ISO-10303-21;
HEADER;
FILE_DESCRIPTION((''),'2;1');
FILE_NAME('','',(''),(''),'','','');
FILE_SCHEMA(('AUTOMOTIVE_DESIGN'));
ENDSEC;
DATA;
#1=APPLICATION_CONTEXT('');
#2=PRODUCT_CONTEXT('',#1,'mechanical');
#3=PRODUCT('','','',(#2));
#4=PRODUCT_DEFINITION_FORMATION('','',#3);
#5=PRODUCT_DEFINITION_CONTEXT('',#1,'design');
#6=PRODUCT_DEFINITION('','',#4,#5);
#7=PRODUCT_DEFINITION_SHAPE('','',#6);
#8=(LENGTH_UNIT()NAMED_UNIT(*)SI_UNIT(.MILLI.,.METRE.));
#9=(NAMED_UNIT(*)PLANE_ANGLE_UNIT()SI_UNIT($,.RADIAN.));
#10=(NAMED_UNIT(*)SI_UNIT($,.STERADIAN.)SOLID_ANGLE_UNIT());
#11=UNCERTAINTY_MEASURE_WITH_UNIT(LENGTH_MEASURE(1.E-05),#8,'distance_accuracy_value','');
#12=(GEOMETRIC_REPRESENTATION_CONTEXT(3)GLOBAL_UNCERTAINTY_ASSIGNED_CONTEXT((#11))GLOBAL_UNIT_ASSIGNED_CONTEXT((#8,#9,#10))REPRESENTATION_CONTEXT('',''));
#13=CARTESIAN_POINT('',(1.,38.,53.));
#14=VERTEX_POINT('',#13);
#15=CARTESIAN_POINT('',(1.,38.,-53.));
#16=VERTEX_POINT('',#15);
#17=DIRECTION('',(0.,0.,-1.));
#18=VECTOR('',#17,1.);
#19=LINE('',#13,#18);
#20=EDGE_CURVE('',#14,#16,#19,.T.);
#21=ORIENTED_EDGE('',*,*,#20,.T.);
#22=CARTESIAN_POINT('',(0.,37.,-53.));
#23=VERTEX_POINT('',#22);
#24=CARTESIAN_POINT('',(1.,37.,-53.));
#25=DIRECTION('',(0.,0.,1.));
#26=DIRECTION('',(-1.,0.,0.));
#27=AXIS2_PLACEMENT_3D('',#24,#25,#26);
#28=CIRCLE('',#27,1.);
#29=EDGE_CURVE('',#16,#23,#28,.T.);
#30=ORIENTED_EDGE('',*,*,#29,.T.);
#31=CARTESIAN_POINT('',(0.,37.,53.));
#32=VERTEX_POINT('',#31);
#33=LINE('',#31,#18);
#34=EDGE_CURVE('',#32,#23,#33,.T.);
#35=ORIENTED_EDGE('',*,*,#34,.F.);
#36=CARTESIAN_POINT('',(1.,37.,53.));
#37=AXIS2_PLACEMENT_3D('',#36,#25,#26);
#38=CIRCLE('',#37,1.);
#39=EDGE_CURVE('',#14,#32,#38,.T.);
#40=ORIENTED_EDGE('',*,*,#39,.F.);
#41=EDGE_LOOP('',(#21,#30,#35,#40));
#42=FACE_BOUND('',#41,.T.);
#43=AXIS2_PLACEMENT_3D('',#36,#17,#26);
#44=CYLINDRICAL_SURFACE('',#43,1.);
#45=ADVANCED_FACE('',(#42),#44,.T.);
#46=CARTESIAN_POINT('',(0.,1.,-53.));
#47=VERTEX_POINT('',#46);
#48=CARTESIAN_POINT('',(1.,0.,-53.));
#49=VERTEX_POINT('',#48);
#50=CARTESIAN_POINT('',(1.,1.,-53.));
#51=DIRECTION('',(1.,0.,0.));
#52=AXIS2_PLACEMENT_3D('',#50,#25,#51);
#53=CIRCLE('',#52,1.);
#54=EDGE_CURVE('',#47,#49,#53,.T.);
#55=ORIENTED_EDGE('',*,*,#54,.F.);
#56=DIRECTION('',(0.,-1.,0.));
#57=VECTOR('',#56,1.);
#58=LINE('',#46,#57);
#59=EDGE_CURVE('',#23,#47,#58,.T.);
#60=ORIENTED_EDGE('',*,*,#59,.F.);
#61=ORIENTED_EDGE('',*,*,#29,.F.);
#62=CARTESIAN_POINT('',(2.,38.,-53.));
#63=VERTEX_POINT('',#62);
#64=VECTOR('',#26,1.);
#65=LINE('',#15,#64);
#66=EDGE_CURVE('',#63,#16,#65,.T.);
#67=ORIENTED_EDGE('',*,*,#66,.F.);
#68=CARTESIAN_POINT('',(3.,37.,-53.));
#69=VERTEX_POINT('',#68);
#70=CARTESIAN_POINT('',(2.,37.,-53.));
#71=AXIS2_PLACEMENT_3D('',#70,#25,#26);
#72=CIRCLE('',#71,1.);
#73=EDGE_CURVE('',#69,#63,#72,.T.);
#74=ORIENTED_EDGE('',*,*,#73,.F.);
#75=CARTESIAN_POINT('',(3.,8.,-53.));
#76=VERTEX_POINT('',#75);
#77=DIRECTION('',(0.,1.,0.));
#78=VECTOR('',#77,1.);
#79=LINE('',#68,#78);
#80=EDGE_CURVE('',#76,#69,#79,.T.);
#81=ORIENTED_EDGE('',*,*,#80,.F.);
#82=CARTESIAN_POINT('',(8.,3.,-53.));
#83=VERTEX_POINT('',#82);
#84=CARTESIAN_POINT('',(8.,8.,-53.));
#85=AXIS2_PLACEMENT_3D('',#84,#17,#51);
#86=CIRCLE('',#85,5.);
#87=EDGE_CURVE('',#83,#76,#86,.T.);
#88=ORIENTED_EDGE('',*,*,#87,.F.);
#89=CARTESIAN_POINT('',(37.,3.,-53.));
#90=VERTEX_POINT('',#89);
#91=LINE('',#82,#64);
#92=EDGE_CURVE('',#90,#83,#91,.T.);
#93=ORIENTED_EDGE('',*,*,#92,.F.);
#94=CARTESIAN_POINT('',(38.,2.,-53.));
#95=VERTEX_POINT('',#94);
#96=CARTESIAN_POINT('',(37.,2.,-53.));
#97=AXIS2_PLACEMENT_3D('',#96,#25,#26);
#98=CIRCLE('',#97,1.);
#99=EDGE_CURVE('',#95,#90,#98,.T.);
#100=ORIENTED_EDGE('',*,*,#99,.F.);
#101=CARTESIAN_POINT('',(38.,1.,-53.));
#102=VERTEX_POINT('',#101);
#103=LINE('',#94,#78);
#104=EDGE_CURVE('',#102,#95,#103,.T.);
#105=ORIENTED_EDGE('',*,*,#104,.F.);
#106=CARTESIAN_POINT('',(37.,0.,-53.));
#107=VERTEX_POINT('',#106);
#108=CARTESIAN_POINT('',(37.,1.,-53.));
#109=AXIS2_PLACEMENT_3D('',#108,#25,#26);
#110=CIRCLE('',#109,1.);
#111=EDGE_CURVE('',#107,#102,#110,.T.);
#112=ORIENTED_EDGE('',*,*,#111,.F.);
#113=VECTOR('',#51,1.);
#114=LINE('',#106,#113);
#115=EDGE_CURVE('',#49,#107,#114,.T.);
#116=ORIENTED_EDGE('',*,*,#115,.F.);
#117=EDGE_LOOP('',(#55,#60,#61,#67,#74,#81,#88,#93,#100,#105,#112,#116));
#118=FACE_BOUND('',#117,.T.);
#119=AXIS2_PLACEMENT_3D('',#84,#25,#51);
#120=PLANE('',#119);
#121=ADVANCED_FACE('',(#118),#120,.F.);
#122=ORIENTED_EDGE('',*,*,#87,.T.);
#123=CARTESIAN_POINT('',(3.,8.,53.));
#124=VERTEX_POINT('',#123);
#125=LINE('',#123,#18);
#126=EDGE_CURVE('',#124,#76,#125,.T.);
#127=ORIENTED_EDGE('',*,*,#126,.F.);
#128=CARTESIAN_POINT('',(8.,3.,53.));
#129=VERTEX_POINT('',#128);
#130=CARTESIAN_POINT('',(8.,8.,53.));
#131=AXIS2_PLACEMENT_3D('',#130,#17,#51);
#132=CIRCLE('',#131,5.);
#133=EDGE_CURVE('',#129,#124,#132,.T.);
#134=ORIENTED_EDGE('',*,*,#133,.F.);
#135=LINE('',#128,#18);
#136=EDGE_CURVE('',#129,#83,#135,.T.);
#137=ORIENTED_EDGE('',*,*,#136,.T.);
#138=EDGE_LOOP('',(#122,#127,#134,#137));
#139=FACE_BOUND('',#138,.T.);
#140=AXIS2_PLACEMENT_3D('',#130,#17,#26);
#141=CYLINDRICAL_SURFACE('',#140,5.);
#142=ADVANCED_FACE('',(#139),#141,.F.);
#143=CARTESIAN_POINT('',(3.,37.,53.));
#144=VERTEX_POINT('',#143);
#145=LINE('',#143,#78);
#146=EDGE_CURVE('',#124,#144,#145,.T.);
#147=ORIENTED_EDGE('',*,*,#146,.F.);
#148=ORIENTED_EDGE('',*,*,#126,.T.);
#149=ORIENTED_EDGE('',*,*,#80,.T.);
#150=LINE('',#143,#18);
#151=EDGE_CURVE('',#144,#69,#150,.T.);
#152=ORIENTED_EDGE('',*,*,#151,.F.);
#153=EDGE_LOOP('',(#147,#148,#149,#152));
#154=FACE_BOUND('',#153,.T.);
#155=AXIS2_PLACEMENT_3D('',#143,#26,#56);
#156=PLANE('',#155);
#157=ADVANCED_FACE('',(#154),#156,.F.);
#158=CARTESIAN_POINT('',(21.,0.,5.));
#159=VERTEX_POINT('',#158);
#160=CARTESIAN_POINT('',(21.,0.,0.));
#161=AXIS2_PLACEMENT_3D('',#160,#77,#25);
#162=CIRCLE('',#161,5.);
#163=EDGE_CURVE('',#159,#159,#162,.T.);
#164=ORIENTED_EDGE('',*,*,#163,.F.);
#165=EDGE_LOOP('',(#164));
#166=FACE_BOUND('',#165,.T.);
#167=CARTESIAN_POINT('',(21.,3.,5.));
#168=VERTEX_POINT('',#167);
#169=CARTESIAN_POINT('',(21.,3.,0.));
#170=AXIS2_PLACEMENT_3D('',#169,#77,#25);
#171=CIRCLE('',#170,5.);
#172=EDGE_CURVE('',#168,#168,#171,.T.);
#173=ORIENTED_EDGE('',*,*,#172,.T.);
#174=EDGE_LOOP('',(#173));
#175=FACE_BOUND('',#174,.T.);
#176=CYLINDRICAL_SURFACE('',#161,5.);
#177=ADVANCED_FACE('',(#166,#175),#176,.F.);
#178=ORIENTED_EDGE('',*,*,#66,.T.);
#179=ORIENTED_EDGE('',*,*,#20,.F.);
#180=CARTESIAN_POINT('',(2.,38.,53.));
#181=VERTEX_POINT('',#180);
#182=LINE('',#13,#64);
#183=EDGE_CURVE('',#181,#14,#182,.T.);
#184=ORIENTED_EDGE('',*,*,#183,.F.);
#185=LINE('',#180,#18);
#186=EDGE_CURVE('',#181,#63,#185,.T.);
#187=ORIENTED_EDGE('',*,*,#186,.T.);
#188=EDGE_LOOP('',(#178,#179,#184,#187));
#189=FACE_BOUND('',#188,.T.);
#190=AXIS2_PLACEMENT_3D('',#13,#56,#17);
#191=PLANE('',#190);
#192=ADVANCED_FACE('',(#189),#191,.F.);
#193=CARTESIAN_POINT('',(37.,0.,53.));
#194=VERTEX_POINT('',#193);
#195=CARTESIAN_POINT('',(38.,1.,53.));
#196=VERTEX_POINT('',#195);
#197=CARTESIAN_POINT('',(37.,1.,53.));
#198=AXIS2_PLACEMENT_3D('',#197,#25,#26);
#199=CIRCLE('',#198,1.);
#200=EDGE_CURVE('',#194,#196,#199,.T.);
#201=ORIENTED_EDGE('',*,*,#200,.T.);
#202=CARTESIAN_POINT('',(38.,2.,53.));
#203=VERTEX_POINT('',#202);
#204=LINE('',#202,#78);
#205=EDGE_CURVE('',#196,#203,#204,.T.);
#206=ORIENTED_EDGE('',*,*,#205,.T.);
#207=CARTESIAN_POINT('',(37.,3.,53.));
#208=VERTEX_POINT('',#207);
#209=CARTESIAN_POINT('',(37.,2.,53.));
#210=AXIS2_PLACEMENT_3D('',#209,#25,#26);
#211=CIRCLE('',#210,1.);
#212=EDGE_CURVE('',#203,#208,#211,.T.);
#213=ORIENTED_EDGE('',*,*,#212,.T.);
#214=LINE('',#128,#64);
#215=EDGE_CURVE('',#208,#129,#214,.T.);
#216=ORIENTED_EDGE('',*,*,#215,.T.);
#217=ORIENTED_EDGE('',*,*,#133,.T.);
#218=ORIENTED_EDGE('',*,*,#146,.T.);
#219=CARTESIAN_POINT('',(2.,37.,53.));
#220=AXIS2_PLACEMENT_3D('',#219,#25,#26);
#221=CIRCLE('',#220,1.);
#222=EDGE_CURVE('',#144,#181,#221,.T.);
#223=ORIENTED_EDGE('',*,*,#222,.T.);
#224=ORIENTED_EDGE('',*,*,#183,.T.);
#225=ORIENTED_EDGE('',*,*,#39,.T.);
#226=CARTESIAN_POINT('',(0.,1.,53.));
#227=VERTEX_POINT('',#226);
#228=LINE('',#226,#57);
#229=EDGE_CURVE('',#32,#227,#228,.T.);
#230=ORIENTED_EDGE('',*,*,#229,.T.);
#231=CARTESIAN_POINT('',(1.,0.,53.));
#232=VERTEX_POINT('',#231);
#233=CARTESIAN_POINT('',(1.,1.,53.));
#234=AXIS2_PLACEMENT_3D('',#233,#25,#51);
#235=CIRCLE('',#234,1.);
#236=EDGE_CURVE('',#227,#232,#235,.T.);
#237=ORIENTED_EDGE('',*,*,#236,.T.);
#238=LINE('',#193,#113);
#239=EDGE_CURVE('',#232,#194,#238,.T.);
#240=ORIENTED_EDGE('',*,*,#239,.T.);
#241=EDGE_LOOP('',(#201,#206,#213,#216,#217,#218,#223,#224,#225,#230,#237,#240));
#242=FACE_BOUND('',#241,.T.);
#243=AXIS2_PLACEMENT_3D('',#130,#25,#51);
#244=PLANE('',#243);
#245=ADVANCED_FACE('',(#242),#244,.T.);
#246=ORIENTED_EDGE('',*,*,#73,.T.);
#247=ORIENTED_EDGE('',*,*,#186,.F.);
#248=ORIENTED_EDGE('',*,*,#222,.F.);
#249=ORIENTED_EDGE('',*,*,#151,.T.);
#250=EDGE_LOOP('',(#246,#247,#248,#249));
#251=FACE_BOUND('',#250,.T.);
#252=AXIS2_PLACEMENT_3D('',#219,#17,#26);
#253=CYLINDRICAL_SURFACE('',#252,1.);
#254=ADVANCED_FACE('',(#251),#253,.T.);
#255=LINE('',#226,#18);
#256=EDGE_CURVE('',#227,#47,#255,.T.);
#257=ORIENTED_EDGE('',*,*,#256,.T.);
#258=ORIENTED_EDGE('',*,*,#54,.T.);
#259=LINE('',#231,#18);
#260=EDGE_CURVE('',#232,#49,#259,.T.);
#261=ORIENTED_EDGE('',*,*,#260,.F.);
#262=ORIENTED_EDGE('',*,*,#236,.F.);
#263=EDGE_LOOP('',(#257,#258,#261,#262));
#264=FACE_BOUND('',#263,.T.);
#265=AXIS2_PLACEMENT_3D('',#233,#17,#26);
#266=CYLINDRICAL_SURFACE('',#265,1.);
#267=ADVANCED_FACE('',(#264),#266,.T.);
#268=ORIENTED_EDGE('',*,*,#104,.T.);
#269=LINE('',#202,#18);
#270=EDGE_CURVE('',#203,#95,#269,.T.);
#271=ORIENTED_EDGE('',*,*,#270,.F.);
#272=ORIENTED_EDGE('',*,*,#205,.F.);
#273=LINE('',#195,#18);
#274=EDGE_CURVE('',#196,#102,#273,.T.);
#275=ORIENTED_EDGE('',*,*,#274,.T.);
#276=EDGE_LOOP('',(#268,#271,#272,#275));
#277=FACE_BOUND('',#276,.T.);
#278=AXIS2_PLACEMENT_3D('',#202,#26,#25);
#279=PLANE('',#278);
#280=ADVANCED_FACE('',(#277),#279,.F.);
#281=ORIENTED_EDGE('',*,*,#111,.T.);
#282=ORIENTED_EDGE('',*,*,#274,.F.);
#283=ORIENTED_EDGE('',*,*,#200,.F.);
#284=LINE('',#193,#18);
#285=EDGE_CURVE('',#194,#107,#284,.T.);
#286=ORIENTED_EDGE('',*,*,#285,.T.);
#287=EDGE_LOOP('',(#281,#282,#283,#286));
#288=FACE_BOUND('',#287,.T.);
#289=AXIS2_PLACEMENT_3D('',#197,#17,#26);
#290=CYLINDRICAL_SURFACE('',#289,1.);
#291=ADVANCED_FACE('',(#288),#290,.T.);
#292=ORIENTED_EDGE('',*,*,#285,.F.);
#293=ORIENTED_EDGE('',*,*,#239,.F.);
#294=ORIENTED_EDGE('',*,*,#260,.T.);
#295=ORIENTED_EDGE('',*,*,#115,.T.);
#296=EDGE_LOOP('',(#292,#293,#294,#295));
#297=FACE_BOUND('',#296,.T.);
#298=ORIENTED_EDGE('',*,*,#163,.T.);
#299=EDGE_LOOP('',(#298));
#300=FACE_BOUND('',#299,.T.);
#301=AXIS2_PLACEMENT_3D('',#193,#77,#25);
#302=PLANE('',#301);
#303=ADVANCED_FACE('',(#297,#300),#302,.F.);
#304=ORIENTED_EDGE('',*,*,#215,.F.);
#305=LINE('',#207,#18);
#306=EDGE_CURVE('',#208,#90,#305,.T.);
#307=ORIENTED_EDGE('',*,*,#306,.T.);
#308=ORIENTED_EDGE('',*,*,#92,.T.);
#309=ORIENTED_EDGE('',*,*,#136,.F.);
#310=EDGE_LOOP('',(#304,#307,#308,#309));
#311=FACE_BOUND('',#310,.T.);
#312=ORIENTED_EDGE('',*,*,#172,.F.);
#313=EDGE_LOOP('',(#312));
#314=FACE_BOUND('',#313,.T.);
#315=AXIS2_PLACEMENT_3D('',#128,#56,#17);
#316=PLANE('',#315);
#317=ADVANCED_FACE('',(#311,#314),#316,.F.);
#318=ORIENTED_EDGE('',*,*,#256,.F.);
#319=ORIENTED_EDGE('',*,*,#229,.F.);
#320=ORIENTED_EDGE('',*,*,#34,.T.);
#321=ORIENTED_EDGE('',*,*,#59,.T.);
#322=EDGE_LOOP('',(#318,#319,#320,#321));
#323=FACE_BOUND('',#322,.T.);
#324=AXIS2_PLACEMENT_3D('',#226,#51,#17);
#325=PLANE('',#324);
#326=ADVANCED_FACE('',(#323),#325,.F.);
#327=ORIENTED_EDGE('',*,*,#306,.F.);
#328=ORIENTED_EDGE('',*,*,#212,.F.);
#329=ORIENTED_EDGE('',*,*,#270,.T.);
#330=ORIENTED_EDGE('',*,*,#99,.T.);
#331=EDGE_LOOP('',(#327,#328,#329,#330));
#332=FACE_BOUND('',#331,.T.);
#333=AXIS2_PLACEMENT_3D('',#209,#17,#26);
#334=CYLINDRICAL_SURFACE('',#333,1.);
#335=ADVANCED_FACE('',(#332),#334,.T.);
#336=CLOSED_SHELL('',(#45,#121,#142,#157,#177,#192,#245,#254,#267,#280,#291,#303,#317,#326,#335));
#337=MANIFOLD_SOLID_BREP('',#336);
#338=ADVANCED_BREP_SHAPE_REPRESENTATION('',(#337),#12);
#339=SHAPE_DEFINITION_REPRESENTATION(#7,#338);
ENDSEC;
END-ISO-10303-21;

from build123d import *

# Parameters (mm, degrees)
EXTRUDE_1_DEPTH     = 53
SKETCH_2_R          = 5
CUT_EXTRUDE_1_DEPTH = 75.01351228


with BuildPart() as part:
    # 草图1 → 凸台-拉伸1 (new, symmetric)
    with BuildSketch(Plane.XY):
        with BuildLine():
            Line((0, 1), (0, 37))
            ThreePointArc((0, 37), (0.292893219, 37.707106781), (1, 38))
            Line((1, 38), (2, 38))
            ThreePointArc((2, 38), (2.707106781, 37.707106781), (3, 37))
            Line((3, 37), (3, 8))
            ThreePointArc((3, 8), (4.464466094, 4.464466094), (8, 3))
            Line((8, 3), (37, 3))
            ThreePointArc((37, 3), (37.707106781, 2.707106781), (38, 2))
            Line((38, 2), (38, 1))
            ThreePointArc((38, 1), (37.707106781, 0.292893219), (37, 0))
            Line((37, 0), (1, 0))
            ThreePointArc((1, 0), (0.292893219, 0.292893219), (0, 1))
        make_face()
    extrude(amount=EXTRUDE_1_DEPTH, both=True)

    # 草图2 → 切除-拉伸1 (cut, through all)
    with BuildSketch(Plane(origin=(0, 3, 0), x_dir=(1, 0, 0), z_dir=(0, 1, 0))):
        with Locations(Location((21, 0, 0), (0, 0, 270))):
            Circle(SKETCH_2_R)
    extrude(amount=-CUT_EXTRUDE_1_DEPTH, mode=Mode.SUBTRACT)


solid = part.part
